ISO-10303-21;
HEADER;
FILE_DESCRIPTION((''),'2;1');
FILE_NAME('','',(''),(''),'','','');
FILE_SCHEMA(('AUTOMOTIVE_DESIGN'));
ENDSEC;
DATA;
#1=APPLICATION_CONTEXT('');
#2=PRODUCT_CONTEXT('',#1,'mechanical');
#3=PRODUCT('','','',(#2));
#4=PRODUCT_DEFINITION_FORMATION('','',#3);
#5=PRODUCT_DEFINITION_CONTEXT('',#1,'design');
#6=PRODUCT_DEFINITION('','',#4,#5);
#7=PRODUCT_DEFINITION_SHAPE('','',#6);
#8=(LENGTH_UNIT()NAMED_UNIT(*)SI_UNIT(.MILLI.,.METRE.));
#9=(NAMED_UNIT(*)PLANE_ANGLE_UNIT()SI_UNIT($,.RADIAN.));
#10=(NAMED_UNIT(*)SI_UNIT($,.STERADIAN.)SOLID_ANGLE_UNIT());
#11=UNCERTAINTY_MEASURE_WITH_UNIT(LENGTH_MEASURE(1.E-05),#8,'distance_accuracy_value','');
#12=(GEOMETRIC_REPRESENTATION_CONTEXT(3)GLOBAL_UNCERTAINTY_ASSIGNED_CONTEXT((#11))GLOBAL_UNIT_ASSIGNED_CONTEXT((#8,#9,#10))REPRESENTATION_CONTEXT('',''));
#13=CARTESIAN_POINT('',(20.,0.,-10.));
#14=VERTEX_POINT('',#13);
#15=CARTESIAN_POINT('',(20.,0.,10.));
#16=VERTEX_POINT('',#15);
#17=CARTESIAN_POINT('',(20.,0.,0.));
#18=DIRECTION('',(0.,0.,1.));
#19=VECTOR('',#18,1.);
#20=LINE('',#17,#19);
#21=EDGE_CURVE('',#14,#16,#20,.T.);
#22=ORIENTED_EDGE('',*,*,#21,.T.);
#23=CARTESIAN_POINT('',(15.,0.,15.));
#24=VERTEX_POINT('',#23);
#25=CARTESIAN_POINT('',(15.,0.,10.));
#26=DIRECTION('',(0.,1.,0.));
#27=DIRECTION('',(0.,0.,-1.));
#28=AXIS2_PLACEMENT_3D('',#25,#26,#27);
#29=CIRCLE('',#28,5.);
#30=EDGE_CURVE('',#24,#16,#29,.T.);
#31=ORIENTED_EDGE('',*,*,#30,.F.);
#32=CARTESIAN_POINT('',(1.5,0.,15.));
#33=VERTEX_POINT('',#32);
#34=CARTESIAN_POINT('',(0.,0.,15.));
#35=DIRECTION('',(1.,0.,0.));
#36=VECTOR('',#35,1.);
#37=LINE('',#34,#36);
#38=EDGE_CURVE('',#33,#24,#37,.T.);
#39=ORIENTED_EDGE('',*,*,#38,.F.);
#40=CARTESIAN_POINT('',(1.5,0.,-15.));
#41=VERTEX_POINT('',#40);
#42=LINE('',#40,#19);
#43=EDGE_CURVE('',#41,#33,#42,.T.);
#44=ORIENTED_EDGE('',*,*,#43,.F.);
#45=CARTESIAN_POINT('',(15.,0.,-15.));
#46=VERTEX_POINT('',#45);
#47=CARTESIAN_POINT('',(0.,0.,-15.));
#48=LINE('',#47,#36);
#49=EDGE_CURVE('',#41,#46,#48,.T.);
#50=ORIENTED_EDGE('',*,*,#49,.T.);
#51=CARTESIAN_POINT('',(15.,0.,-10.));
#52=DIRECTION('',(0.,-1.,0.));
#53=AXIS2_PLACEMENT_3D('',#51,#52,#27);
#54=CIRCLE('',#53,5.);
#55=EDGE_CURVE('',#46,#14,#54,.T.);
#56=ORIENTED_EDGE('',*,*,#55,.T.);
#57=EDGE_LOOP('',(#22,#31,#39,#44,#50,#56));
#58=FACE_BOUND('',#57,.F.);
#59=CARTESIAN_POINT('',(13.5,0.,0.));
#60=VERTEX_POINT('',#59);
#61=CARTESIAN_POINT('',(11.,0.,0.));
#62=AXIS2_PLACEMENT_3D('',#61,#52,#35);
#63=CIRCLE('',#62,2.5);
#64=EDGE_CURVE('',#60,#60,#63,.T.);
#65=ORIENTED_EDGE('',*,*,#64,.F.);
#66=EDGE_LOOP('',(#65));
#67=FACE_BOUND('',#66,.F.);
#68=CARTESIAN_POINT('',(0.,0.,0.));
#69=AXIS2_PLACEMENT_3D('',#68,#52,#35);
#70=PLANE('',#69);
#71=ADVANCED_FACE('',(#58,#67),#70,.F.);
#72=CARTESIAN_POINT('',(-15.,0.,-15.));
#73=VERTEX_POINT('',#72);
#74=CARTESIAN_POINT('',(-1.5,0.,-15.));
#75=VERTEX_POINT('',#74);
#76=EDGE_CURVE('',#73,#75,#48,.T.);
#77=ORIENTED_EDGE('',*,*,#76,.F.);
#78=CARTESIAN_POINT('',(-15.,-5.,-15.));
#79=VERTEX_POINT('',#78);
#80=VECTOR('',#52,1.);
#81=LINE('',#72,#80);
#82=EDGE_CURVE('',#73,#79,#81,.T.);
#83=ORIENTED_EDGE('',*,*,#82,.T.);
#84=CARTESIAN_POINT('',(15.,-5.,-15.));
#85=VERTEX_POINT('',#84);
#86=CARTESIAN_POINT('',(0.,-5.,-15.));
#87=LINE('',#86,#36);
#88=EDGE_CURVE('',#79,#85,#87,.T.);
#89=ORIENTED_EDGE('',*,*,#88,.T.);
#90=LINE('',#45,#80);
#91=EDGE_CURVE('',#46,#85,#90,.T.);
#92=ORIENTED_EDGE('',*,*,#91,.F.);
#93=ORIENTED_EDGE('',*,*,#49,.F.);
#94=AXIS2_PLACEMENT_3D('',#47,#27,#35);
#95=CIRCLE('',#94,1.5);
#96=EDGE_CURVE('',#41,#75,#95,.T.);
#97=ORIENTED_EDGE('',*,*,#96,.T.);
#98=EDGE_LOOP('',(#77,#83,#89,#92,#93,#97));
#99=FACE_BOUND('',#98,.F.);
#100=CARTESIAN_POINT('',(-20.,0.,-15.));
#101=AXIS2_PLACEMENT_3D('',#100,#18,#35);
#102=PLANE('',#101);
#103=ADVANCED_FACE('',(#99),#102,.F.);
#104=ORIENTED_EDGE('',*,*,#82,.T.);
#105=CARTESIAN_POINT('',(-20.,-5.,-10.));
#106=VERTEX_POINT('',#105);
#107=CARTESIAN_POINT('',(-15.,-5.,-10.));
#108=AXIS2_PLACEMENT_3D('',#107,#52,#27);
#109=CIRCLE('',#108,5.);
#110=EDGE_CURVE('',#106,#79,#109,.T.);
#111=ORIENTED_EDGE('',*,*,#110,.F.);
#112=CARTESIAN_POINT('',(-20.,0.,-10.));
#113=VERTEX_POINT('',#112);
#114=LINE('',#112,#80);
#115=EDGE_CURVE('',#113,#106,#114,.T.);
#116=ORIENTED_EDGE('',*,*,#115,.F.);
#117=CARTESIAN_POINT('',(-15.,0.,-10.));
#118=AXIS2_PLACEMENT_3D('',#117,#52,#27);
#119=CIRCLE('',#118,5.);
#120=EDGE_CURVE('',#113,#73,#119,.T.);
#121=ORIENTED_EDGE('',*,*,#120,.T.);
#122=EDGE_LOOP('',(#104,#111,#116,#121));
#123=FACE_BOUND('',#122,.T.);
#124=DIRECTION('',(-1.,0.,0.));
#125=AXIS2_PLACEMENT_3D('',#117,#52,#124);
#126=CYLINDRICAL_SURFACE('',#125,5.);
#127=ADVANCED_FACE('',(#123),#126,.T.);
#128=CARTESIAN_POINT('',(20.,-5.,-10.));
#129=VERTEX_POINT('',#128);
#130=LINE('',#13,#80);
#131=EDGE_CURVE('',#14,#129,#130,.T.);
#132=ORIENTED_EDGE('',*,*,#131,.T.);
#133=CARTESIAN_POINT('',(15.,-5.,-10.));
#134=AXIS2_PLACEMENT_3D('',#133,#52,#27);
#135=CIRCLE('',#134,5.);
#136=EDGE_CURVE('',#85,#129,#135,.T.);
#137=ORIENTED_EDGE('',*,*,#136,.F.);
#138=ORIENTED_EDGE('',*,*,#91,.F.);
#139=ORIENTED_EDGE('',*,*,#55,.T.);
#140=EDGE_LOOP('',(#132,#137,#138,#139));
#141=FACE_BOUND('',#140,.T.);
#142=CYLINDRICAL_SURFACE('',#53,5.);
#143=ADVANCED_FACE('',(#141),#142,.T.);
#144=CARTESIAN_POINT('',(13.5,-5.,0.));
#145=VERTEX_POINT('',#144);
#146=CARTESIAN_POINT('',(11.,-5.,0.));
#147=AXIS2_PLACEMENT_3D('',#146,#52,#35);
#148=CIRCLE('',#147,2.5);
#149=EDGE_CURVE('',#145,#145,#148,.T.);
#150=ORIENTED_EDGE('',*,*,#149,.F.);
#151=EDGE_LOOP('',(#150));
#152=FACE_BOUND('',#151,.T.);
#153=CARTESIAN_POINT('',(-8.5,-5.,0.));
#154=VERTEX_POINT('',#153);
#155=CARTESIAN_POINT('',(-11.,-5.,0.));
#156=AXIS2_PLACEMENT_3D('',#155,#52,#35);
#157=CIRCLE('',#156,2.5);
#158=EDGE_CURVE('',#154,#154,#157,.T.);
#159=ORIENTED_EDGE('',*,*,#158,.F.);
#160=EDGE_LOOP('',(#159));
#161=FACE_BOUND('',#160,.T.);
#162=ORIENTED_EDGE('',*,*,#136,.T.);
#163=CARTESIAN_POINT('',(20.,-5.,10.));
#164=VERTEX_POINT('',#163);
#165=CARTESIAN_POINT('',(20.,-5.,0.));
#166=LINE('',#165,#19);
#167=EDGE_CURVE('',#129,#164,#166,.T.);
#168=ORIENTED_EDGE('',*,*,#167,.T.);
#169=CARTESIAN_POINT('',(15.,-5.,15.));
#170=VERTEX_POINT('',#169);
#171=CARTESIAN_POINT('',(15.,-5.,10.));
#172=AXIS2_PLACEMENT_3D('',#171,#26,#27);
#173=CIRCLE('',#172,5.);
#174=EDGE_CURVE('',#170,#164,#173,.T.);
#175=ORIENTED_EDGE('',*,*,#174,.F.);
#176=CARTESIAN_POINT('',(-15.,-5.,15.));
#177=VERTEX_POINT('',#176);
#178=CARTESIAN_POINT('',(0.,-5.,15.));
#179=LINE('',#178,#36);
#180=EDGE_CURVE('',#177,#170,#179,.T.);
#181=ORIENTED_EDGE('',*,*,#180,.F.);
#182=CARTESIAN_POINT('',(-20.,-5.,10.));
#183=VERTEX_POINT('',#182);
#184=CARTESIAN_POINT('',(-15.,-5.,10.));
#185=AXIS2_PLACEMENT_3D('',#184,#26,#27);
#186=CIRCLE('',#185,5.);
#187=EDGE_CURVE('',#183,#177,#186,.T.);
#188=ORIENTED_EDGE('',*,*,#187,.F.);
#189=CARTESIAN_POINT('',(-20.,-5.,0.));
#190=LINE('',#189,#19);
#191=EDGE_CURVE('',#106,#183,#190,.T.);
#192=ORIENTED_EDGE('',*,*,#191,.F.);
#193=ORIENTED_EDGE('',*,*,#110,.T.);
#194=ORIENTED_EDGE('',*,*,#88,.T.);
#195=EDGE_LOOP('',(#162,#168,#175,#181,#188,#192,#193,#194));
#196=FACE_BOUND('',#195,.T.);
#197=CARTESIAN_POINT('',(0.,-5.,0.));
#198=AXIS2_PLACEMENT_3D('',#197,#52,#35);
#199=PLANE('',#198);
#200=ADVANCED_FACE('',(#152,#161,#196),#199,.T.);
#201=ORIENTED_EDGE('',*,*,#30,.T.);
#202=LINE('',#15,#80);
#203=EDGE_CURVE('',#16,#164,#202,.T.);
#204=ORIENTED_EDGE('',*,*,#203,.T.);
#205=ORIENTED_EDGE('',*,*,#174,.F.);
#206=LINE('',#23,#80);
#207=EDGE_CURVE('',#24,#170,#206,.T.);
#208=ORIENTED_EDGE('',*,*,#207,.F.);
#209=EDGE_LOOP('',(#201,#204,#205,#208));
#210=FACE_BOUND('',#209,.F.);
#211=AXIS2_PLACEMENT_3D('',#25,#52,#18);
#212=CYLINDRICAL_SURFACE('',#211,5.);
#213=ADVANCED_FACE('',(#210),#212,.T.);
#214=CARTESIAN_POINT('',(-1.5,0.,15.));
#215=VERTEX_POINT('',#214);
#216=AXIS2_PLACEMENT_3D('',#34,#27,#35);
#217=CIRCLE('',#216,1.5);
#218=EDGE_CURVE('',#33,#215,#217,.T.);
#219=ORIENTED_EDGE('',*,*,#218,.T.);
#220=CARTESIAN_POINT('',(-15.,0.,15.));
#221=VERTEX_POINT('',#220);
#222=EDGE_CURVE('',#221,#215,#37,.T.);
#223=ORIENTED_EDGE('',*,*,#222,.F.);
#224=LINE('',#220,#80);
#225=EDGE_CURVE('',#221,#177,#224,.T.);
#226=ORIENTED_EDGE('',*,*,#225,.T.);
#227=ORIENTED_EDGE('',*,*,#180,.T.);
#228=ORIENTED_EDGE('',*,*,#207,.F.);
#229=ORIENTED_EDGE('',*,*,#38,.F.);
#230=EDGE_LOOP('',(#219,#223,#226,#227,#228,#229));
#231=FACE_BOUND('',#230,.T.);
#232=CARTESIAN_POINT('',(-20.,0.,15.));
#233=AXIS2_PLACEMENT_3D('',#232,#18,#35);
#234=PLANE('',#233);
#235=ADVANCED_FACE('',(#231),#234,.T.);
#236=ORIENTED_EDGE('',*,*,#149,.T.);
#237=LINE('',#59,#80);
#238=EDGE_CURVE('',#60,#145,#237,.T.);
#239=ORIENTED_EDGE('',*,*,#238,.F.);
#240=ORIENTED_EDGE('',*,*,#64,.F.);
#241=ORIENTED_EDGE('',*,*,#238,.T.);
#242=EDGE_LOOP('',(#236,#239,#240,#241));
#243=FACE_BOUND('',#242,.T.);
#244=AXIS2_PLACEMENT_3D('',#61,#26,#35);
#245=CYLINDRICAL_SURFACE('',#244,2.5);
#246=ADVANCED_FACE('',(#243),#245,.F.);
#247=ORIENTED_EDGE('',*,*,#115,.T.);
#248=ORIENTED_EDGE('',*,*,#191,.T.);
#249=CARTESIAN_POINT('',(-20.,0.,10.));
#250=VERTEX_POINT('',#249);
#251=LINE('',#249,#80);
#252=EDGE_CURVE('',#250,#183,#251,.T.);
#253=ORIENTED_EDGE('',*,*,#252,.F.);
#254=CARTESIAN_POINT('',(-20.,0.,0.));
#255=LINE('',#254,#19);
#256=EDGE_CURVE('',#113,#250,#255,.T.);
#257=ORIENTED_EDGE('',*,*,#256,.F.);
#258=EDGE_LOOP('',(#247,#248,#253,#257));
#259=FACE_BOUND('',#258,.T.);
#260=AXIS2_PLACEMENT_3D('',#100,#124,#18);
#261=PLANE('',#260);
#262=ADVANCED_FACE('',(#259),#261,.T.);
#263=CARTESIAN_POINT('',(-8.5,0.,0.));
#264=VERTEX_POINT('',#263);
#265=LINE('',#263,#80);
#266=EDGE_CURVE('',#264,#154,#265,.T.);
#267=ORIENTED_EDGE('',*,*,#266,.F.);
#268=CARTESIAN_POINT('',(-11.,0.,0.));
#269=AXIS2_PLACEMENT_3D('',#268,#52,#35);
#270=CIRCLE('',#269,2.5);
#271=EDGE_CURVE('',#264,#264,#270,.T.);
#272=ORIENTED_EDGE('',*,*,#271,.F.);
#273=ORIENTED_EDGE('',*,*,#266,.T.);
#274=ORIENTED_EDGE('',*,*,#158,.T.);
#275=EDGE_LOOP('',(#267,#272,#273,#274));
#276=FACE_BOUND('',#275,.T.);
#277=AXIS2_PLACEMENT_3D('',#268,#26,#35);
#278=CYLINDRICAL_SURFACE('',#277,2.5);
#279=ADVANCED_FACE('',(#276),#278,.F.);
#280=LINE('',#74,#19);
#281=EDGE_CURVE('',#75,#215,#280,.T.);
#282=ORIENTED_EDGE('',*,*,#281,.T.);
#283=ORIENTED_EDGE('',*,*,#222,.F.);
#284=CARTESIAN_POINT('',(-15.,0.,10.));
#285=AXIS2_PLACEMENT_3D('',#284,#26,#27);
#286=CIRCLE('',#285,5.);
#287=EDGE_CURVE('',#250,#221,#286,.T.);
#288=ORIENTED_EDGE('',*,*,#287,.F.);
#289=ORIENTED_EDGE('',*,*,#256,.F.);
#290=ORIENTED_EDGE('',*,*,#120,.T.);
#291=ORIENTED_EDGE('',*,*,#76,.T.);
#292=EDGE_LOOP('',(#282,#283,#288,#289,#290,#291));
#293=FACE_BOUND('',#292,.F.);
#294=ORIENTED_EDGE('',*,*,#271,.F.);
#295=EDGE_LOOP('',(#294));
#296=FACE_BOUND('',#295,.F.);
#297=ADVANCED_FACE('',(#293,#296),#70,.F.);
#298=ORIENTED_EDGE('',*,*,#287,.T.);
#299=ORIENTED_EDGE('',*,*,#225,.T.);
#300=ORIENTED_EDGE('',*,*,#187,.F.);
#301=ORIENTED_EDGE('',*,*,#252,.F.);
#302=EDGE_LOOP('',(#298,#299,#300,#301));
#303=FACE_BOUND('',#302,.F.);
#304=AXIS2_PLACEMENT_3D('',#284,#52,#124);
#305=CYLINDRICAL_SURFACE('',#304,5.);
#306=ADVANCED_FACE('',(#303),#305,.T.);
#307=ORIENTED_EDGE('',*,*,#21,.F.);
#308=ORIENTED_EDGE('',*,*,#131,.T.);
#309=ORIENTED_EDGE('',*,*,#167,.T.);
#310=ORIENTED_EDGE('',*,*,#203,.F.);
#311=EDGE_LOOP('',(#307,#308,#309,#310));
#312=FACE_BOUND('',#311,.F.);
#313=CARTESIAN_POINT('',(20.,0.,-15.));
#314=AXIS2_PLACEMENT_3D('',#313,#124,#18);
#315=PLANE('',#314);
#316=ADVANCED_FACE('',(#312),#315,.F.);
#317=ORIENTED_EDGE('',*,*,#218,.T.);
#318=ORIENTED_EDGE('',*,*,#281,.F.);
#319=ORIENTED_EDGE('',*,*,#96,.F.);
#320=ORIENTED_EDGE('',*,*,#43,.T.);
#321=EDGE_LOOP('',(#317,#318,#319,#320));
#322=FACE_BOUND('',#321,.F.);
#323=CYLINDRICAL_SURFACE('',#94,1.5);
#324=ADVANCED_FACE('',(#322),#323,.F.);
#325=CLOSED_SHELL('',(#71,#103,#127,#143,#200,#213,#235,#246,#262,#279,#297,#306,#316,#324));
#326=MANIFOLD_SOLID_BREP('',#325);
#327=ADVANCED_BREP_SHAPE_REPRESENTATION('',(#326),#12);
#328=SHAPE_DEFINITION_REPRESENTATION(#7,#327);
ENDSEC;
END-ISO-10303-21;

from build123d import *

# Parameters (mm, degrees)
F0_W     = 40
F0_H     = 30
F0_R     = 2.5
F1_DEPTH = 5
F3_DEPTH = 31
F4_R     = 5


with BuildPart() as f1:
    # F0 (on Front) → F1 (new body)
    with BuildSketch(Plane.XZ):
        Rectangle(F0_W, F0_H)
        with Locations((-11, 0)):
            Circle(F0_R, mode=Mode.SUBTRACT)
        with Locations((11, 0)):
            Circle(F0_R, mode=Mode.SUBTRACT)
    extrude(amount=F1_DEPTH)

    # F2 (on face) → F3 (cut)
    with BuildSketch(Plane(origin=(0, 0, -15), x_dir=(1, 0, 0), z_dir=(0, 0, -1))):
        with BuildLine():
            Line((-1.5, 0), (1.5, 0))
            ThreePointArc((1.5, 0), (0, 1.5), (-1.5, 0))
        make_face()
    extrude(amount=-F3_DEPTH, mode=Mode.SUBTRACT)

    # F4
    f4_edges = [f1.edges().sort_by_distance(p)[0] for p in [
        (20, -2.5, -15),
        (-20, -2.5, -15),
        (20, -2.5, 15),
        (-20, -2.5, 15),
    ]]
    fillet(f4_edges, radius=F4_R)


solid = f1.part
